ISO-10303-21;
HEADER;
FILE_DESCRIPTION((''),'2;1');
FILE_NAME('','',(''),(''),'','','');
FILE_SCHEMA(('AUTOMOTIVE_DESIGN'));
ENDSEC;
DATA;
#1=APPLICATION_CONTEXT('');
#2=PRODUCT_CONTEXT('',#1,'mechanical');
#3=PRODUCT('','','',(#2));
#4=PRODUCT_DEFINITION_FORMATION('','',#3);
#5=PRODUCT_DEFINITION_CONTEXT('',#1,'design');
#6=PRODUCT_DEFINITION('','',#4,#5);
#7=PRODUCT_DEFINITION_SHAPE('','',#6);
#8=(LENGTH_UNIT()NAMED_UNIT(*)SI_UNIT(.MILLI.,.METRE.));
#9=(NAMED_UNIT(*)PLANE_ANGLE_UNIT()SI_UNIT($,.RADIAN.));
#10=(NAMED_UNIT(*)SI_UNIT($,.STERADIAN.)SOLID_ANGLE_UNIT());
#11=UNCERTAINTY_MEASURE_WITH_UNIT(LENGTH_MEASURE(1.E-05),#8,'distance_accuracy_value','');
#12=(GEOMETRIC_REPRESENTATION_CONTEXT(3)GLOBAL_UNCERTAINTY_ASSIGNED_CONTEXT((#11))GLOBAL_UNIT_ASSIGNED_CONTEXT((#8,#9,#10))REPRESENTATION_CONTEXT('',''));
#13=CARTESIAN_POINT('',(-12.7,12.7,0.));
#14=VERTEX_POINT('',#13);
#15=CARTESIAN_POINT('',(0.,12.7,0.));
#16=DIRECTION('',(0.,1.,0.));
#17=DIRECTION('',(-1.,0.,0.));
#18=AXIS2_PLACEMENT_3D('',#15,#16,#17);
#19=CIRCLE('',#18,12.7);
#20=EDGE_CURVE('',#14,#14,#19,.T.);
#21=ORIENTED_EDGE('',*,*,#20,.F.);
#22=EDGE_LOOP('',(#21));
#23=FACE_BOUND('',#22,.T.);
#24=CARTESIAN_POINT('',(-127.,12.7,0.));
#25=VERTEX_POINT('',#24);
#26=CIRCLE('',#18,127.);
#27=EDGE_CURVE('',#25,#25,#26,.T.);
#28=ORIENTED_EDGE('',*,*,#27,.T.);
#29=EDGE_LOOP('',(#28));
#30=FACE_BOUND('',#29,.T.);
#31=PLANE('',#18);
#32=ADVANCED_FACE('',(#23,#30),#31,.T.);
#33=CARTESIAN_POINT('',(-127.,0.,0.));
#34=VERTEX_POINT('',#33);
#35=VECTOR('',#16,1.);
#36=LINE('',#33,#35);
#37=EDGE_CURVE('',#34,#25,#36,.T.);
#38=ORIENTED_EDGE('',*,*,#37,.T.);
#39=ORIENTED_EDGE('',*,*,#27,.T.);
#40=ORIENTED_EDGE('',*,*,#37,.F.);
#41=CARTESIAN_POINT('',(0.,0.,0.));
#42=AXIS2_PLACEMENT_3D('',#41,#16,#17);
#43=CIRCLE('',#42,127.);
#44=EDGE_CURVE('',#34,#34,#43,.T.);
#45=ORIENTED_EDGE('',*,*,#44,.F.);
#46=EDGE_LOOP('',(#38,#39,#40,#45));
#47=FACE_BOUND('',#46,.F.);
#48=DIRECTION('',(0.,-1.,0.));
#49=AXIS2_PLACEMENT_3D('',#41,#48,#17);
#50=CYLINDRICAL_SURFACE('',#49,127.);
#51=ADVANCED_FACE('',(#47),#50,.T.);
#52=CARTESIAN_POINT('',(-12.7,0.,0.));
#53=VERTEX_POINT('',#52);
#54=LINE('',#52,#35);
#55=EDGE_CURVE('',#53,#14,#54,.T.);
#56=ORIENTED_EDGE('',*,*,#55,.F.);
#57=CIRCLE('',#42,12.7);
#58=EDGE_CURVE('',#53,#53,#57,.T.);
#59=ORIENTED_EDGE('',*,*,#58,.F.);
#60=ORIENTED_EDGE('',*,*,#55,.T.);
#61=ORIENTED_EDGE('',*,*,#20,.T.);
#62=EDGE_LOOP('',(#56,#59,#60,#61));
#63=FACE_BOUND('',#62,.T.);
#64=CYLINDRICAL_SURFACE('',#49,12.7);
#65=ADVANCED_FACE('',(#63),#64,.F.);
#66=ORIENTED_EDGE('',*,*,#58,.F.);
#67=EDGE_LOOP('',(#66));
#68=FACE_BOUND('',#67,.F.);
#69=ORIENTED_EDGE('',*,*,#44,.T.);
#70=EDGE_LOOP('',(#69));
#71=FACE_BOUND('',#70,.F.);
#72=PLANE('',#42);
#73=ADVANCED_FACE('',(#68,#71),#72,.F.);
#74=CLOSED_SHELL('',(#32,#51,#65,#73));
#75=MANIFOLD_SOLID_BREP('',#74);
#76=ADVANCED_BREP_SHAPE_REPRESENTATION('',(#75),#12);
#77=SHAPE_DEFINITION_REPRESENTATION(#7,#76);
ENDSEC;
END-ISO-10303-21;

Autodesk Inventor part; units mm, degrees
ref_plane "YZ Plane" through (0, 0, 0) normal (1, 0, 0) x (0, 1, 0)
ref_plane "XZ Plane" through (0, 0, 0) normal (0, 1, 0) x (-1, 0, 0)
ref_plane "XY Plane" through (0, 0, 0) normal (0, 0, 1) x (1, 0, 0)
sketch "Sketch1" plane through (0, 0, 0) normal (0, 1, 0) x (-1, 0, 0)
  circle A0 centre (0, 0) radius 127
  circle A1 centre (0, 0) radius 12.7
  dimension "d0" = 254
  dimension "d2" = 25.4
extrude "Extrusion1" add sketch "Sketch1" along normal blind 12.7
properties part number "2f1abs" material "GFRC"
